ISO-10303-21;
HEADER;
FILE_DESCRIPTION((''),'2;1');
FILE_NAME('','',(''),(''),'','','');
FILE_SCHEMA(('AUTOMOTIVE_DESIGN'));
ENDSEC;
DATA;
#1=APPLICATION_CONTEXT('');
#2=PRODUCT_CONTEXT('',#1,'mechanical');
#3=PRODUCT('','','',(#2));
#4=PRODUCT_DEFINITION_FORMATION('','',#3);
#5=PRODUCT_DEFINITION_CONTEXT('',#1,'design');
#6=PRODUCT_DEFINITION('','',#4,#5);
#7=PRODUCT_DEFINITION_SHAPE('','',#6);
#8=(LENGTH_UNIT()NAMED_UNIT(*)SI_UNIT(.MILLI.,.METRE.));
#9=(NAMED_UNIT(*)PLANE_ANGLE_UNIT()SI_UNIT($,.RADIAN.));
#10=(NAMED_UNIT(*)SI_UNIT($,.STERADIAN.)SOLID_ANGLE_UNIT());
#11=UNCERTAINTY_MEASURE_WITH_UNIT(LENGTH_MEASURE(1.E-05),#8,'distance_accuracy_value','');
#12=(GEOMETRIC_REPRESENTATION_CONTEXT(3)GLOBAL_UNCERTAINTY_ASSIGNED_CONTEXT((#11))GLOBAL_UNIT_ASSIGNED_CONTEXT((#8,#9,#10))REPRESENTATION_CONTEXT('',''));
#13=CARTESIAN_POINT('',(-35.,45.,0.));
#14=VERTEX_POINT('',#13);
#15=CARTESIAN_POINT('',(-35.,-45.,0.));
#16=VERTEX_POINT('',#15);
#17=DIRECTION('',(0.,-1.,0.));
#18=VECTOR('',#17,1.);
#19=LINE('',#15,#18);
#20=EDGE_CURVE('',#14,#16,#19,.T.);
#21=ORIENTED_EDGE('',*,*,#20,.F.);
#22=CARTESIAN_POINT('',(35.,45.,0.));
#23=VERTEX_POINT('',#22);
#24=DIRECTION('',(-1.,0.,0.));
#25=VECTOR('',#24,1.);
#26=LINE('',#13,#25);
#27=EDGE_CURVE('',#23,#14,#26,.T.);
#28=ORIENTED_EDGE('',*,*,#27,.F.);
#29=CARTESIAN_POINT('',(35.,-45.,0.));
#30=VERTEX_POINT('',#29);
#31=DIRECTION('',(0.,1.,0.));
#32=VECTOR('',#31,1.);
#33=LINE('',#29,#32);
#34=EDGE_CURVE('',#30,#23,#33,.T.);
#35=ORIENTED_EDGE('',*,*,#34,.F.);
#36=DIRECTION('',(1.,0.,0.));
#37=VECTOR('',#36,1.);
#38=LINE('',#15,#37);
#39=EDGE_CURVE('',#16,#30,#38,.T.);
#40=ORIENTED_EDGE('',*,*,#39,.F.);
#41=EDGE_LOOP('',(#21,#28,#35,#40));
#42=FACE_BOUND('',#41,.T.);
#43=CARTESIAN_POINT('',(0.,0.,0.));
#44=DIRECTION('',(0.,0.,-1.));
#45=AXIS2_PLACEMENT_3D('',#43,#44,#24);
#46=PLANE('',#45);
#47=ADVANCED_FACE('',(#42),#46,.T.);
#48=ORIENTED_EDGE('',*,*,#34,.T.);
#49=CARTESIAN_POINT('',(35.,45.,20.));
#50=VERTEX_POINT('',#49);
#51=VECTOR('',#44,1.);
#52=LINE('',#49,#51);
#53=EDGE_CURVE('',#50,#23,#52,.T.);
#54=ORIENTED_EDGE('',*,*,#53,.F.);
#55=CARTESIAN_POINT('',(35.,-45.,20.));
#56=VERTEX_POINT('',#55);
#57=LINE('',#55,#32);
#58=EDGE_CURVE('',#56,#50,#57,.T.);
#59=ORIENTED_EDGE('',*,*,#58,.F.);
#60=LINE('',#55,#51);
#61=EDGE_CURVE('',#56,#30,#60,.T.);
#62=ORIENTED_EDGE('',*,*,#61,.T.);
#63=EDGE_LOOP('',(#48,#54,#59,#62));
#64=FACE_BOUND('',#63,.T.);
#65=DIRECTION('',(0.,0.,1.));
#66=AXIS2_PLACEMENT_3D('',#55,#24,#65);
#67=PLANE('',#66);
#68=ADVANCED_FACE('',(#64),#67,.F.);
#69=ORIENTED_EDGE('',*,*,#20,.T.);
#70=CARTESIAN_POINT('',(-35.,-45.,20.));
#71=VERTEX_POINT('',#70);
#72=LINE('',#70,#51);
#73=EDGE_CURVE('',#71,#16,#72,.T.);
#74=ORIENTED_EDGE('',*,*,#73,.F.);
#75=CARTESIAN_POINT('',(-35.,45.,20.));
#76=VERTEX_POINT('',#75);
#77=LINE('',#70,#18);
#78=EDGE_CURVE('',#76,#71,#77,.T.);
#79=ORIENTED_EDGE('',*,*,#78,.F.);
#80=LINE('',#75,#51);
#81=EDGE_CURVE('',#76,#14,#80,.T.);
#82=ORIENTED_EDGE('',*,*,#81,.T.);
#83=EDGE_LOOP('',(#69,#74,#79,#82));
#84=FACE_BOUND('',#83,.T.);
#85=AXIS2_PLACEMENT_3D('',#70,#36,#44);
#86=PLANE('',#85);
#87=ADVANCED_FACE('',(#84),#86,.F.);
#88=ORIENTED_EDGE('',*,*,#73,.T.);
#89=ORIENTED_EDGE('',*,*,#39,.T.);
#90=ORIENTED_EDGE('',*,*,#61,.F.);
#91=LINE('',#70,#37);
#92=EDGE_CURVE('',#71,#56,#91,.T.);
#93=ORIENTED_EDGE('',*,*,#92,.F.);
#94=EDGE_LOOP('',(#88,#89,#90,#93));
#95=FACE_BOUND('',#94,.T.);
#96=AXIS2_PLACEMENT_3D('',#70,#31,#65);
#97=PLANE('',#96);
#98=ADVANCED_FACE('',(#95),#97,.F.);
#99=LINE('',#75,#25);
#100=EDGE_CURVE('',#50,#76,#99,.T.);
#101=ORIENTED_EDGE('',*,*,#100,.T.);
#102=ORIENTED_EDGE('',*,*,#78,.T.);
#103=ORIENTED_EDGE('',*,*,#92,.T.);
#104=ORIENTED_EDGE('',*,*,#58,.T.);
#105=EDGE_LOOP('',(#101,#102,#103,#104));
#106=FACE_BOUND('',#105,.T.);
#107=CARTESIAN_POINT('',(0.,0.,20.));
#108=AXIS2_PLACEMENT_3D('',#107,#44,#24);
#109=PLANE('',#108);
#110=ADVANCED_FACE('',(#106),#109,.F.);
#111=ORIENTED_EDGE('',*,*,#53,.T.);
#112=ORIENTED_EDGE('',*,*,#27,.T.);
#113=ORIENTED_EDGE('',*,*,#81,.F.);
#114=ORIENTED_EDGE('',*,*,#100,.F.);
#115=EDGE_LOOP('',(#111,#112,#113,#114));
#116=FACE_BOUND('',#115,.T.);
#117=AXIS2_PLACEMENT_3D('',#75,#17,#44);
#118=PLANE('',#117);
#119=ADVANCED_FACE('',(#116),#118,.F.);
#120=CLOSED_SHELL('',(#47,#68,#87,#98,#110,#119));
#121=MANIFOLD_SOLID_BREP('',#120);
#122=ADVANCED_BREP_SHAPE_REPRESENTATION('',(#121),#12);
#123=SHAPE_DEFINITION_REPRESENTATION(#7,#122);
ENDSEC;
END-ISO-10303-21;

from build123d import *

# Parameters (mm, degrees)
SKETCH_1_W      = 70
SKETCH_1_H      = 90
EXTRUDE_1_DEPTH = 20


with BuildPart() as part:
    # 草图1 → 凸台-拉伸1 (new body)
    with BuildSketch(Plane.XY):
        Rectangle(SKETCH_1_W, SKETCH_1_H)
    extrude(amount=EXTRUDE_1_DEPTH)


solid = part.part
